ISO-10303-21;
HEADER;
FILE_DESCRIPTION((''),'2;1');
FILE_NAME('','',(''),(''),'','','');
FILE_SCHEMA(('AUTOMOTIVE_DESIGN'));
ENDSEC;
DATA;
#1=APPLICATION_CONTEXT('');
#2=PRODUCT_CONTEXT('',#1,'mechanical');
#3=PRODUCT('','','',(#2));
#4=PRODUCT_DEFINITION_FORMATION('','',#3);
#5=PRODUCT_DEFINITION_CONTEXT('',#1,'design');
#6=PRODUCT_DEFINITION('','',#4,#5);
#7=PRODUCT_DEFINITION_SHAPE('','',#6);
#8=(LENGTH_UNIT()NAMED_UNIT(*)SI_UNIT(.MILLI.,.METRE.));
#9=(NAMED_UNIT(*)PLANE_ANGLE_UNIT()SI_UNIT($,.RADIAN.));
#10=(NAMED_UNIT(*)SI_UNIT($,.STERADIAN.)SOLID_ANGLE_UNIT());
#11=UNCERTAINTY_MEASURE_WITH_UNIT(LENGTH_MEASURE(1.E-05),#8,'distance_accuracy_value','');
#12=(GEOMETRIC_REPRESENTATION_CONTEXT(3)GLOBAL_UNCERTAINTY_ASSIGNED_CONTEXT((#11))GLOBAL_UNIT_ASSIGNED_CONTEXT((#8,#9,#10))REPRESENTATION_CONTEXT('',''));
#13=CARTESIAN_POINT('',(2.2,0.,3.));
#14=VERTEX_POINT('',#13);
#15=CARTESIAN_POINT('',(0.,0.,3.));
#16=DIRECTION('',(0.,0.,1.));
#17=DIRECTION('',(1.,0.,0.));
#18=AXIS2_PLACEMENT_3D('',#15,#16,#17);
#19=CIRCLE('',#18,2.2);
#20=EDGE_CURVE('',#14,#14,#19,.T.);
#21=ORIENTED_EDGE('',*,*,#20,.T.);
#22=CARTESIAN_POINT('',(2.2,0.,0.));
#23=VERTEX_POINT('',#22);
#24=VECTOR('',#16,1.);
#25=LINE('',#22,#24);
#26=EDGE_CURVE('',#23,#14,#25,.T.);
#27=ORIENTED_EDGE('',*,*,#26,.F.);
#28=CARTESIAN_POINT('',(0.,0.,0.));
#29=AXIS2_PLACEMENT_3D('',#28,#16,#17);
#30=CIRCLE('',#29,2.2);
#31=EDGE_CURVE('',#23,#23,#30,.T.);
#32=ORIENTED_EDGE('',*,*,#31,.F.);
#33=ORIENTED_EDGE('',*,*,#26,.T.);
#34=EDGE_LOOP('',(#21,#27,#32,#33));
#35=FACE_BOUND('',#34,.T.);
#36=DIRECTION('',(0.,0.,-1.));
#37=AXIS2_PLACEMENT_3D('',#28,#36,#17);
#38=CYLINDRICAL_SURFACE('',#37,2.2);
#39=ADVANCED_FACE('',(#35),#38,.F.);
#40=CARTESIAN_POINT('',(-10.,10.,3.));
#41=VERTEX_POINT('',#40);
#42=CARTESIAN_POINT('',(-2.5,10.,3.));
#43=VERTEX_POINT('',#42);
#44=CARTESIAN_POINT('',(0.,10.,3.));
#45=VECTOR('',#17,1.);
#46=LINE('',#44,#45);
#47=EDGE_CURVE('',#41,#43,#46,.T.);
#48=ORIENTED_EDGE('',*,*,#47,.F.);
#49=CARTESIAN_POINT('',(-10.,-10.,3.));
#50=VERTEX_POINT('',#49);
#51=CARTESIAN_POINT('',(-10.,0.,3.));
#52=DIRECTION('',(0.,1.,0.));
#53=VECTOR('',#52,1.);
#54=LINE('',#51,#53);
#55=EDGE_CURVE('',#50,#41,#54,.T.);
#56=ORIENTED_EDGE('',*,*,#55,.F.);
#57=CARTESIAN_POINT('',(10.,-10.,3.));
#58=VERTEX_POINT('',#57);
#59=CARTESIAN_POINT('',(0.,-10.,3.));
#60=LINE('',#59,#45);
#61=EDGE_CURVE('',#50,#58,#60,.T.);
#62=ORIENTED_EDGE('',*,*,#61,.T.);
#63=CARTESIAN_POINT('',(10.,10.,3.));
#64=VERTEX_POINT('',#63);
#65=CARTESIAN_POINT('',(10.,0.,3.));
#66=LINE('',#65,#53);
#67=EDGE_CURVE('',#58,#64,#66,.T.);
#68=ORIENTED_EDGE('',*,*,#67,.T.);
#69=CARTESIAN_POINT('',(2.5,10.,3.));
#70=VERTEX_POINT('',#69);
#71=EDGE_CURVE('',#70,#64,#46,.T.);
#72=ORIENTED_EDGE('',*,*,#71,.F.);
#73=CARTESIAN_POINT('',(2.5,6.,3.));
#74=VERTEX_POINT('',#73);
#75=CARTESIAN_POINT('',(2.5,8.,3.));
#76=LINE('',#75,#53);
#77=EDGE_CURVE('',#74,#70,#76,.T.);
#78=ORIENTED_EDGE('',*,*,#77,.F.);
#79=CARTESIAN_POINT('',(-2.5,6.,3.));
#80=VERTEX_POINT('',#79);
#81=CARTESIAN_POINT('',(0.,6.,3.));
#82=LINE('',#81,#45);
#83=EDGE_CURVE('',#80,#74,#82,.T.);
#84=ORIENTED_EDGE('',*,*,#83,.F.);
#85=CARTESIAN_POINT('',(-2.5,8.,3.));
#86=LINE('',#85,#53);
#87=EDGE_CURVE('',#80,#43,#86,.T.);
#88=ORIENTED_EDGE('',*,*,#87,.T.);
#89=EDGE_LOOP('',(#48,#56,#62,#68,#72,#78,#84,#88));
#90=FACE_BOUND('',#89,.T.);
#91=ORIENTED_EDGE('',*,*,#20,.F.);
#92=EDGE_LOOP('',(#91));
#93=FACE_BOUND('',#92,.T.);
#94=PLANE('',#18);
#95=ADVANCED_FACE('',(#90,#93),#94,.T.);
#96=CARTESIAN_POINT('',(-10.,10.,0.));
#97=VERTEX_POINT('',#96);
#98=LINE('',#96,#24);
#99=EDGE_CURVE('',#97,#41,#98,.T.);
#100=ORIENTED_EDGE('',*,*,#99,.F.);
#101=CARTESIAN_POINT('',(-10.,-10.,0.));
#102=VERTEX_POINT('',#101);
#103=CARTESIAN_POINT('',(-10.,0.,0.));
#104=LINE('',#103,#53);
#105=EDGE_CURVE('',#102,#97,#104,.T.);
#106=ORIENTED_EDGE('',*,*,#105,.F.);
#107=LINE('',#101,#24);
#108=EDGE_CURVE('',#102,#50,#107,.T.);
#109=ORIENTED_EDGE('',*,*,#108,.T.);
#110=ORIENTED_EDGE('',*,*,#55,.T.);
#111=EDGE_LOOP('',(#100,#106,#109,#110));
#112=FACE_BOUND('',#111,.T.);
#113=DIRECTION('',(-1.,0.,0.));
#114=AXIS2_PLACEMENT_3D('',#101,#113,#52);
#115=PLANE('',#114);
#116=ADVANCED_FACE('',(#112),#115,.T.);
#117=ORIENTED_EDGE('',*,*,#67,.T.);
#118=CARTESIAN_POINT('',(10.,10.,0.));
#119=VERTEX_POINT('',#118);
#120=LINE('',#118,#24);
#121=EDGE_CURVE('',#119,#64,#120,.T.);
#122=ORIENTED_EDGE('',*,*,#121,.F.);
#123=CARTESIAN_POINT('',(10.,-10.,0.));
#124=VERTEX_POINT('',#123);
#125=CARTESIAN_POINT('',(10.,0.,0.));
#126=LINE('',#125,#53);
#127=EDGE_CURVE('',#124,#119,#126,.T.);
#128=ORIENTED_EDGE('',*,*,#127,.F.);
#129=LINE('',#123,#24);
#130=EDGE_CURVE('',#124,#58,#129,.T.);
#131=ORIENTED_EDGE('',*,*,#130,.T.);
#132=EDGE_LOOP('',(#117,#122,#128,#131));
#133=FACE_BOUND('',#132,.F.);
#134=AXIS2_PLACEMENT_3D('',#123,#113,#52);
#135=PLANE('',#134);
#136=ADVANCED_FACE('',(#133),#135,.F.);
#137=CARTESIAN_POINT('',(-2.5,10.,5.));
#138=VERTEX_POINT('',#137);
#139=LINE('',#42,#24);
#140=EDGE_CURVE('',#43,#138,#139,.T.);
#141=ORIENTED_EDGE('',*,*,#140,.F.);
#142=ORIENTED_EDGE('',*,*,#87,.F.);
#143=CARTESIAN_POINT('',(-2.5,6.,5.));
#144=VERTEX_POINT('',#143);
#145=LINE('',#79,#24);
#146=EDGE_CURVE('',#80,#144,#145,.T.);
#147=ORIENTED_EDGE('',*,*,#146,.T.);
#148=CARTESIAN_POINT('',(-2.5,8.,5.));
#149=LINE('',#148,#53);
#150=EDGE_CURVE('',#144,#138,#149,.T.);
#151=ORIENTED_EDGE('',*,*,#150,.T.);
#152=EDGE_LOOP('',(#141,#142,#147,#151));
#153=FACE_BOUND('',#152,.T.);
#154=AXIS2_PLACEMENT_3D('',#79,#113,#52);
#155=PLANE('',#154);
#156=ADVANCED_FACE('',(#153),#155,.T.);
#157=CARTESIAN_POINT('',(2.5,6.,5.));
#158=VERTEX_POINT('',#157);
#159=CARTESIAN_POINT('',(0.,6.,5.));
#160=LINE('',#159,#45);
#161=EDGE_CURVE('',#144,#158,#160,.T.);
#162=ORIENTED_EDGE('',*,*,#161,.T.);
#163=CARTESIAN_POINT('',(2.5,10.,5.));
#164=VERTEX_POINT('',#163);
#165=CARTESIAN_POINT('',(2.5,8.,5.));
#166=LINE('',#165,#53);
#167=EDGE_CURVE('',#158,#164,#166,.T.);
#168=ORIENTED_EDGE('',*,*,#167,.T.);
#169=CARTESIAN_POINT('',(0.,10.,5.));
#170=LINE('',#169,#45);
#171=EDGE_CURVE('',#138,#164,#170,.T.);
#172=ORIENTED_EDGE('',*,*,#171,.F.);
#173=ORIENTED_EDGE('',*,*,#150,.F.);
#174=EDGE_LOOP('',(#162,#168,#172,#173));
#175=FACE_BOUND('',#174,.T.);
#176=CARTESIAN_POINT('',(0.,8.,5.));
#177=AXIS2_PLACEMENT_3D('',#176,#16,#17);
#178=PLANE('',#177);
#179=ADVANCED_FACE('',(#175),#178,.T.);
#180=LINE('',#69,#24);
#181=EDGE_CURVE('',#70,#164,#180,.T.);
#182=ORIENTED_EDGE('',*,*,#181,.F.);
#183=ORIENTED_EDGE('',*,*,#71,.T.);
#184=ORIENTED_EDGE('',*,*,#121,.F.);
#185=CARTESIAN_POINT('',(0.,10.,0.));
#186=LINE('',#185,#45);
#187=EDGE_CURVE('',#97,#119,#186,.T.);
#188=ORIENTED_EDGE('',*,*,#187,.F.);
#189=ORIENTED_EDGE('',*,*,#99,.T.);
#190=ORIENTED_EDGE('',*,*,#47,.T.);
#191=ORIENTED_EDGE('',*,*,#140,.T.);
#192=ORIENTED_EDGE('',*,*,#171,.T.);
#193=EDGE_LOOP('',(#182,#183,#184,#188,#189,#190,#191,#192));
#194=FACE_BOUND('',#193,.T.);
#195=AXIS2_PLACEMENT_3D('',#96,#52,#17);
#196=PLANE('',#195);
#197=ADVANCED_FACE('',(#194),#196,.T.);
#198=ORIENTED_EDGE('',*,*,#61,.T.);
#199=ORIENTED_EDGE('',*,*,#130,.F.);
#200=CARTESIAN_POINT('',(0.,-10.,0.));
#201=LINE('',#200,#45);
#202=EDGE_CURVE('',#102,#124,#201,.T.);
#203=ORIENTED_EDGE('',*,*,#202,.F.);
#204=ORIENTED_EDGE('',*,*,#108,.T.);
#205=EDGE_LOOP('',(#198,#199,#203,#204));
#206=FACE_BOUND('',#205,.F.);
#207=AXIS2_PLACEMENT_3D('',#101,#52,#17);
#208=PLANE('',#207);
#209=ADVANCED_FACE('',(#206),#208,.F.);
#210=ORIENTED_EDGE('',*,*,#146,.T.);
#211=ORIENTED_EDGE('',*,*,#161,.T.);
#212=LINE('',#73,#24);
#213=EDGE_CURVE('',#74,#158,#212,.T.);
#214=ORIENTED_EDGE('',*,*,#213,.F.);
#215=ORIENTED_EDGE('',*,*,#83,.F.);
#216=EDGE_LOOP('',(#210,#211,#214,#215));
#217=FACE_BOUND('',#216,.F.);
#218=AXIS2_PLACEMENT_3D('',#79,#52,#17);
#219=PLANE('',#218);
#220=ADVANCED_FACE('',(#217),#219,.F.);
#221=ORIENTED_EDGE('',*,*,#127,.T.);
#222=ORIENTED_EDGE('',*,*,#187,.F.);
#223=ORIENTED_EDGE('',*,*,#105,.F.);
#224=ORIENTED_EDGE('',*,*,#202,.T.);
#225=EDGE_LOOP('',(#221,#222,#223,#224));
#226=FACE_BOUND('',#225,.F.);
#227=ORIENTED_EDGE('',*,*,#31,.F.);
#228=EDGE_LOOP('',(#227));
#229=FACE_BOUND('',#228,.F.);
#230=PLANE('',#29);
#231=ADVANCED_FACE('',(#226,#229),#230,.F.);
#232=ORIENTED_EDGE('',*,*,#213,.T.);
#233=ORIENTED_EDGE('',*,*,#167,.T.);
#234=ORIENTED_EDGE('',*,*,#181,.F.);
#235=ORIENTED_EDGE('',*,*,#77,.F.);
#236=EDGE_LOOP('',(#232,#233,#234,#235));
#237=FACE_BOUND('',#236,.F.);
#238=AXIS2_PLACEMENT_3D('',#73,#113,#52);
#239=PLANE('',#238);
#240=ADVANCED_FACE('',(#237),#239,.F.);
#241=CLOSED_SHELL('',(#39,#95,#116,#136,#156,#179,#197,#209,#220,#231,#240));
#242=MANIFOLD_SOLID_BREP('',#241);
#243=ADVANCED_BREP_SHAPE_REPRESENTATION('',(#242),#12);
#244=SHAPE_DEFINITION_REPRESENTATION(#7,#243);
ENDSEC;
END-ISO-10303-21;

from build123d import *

# Parameters (mm, degrees)
F0_W     = 20
F0_H     = 20
F0_R     = 2.2
F1_DEPTH = 3
F2_W     = 5
F2_H     = 4
F3_DEPTH = 2


with BuildPart() as f1:
    # F0 (on Top) → F1 (new body)
    with BuildSketch(Plane.XY):
        Rectangle(F0_W, F0_H)
        Circle(F0_R, mode=Mode.SUBTRACT)
    extrude(amount=F1_DEPTH)

    # F2 (on face) → F3 (join)
    with BuildSketch(Plane.XY.offset(3)):
        with Locations((0, 8)):
            Rectangle(F2_W, F2_H)
    extrude(amount=F3_DEPTH)


solid = f1.part
